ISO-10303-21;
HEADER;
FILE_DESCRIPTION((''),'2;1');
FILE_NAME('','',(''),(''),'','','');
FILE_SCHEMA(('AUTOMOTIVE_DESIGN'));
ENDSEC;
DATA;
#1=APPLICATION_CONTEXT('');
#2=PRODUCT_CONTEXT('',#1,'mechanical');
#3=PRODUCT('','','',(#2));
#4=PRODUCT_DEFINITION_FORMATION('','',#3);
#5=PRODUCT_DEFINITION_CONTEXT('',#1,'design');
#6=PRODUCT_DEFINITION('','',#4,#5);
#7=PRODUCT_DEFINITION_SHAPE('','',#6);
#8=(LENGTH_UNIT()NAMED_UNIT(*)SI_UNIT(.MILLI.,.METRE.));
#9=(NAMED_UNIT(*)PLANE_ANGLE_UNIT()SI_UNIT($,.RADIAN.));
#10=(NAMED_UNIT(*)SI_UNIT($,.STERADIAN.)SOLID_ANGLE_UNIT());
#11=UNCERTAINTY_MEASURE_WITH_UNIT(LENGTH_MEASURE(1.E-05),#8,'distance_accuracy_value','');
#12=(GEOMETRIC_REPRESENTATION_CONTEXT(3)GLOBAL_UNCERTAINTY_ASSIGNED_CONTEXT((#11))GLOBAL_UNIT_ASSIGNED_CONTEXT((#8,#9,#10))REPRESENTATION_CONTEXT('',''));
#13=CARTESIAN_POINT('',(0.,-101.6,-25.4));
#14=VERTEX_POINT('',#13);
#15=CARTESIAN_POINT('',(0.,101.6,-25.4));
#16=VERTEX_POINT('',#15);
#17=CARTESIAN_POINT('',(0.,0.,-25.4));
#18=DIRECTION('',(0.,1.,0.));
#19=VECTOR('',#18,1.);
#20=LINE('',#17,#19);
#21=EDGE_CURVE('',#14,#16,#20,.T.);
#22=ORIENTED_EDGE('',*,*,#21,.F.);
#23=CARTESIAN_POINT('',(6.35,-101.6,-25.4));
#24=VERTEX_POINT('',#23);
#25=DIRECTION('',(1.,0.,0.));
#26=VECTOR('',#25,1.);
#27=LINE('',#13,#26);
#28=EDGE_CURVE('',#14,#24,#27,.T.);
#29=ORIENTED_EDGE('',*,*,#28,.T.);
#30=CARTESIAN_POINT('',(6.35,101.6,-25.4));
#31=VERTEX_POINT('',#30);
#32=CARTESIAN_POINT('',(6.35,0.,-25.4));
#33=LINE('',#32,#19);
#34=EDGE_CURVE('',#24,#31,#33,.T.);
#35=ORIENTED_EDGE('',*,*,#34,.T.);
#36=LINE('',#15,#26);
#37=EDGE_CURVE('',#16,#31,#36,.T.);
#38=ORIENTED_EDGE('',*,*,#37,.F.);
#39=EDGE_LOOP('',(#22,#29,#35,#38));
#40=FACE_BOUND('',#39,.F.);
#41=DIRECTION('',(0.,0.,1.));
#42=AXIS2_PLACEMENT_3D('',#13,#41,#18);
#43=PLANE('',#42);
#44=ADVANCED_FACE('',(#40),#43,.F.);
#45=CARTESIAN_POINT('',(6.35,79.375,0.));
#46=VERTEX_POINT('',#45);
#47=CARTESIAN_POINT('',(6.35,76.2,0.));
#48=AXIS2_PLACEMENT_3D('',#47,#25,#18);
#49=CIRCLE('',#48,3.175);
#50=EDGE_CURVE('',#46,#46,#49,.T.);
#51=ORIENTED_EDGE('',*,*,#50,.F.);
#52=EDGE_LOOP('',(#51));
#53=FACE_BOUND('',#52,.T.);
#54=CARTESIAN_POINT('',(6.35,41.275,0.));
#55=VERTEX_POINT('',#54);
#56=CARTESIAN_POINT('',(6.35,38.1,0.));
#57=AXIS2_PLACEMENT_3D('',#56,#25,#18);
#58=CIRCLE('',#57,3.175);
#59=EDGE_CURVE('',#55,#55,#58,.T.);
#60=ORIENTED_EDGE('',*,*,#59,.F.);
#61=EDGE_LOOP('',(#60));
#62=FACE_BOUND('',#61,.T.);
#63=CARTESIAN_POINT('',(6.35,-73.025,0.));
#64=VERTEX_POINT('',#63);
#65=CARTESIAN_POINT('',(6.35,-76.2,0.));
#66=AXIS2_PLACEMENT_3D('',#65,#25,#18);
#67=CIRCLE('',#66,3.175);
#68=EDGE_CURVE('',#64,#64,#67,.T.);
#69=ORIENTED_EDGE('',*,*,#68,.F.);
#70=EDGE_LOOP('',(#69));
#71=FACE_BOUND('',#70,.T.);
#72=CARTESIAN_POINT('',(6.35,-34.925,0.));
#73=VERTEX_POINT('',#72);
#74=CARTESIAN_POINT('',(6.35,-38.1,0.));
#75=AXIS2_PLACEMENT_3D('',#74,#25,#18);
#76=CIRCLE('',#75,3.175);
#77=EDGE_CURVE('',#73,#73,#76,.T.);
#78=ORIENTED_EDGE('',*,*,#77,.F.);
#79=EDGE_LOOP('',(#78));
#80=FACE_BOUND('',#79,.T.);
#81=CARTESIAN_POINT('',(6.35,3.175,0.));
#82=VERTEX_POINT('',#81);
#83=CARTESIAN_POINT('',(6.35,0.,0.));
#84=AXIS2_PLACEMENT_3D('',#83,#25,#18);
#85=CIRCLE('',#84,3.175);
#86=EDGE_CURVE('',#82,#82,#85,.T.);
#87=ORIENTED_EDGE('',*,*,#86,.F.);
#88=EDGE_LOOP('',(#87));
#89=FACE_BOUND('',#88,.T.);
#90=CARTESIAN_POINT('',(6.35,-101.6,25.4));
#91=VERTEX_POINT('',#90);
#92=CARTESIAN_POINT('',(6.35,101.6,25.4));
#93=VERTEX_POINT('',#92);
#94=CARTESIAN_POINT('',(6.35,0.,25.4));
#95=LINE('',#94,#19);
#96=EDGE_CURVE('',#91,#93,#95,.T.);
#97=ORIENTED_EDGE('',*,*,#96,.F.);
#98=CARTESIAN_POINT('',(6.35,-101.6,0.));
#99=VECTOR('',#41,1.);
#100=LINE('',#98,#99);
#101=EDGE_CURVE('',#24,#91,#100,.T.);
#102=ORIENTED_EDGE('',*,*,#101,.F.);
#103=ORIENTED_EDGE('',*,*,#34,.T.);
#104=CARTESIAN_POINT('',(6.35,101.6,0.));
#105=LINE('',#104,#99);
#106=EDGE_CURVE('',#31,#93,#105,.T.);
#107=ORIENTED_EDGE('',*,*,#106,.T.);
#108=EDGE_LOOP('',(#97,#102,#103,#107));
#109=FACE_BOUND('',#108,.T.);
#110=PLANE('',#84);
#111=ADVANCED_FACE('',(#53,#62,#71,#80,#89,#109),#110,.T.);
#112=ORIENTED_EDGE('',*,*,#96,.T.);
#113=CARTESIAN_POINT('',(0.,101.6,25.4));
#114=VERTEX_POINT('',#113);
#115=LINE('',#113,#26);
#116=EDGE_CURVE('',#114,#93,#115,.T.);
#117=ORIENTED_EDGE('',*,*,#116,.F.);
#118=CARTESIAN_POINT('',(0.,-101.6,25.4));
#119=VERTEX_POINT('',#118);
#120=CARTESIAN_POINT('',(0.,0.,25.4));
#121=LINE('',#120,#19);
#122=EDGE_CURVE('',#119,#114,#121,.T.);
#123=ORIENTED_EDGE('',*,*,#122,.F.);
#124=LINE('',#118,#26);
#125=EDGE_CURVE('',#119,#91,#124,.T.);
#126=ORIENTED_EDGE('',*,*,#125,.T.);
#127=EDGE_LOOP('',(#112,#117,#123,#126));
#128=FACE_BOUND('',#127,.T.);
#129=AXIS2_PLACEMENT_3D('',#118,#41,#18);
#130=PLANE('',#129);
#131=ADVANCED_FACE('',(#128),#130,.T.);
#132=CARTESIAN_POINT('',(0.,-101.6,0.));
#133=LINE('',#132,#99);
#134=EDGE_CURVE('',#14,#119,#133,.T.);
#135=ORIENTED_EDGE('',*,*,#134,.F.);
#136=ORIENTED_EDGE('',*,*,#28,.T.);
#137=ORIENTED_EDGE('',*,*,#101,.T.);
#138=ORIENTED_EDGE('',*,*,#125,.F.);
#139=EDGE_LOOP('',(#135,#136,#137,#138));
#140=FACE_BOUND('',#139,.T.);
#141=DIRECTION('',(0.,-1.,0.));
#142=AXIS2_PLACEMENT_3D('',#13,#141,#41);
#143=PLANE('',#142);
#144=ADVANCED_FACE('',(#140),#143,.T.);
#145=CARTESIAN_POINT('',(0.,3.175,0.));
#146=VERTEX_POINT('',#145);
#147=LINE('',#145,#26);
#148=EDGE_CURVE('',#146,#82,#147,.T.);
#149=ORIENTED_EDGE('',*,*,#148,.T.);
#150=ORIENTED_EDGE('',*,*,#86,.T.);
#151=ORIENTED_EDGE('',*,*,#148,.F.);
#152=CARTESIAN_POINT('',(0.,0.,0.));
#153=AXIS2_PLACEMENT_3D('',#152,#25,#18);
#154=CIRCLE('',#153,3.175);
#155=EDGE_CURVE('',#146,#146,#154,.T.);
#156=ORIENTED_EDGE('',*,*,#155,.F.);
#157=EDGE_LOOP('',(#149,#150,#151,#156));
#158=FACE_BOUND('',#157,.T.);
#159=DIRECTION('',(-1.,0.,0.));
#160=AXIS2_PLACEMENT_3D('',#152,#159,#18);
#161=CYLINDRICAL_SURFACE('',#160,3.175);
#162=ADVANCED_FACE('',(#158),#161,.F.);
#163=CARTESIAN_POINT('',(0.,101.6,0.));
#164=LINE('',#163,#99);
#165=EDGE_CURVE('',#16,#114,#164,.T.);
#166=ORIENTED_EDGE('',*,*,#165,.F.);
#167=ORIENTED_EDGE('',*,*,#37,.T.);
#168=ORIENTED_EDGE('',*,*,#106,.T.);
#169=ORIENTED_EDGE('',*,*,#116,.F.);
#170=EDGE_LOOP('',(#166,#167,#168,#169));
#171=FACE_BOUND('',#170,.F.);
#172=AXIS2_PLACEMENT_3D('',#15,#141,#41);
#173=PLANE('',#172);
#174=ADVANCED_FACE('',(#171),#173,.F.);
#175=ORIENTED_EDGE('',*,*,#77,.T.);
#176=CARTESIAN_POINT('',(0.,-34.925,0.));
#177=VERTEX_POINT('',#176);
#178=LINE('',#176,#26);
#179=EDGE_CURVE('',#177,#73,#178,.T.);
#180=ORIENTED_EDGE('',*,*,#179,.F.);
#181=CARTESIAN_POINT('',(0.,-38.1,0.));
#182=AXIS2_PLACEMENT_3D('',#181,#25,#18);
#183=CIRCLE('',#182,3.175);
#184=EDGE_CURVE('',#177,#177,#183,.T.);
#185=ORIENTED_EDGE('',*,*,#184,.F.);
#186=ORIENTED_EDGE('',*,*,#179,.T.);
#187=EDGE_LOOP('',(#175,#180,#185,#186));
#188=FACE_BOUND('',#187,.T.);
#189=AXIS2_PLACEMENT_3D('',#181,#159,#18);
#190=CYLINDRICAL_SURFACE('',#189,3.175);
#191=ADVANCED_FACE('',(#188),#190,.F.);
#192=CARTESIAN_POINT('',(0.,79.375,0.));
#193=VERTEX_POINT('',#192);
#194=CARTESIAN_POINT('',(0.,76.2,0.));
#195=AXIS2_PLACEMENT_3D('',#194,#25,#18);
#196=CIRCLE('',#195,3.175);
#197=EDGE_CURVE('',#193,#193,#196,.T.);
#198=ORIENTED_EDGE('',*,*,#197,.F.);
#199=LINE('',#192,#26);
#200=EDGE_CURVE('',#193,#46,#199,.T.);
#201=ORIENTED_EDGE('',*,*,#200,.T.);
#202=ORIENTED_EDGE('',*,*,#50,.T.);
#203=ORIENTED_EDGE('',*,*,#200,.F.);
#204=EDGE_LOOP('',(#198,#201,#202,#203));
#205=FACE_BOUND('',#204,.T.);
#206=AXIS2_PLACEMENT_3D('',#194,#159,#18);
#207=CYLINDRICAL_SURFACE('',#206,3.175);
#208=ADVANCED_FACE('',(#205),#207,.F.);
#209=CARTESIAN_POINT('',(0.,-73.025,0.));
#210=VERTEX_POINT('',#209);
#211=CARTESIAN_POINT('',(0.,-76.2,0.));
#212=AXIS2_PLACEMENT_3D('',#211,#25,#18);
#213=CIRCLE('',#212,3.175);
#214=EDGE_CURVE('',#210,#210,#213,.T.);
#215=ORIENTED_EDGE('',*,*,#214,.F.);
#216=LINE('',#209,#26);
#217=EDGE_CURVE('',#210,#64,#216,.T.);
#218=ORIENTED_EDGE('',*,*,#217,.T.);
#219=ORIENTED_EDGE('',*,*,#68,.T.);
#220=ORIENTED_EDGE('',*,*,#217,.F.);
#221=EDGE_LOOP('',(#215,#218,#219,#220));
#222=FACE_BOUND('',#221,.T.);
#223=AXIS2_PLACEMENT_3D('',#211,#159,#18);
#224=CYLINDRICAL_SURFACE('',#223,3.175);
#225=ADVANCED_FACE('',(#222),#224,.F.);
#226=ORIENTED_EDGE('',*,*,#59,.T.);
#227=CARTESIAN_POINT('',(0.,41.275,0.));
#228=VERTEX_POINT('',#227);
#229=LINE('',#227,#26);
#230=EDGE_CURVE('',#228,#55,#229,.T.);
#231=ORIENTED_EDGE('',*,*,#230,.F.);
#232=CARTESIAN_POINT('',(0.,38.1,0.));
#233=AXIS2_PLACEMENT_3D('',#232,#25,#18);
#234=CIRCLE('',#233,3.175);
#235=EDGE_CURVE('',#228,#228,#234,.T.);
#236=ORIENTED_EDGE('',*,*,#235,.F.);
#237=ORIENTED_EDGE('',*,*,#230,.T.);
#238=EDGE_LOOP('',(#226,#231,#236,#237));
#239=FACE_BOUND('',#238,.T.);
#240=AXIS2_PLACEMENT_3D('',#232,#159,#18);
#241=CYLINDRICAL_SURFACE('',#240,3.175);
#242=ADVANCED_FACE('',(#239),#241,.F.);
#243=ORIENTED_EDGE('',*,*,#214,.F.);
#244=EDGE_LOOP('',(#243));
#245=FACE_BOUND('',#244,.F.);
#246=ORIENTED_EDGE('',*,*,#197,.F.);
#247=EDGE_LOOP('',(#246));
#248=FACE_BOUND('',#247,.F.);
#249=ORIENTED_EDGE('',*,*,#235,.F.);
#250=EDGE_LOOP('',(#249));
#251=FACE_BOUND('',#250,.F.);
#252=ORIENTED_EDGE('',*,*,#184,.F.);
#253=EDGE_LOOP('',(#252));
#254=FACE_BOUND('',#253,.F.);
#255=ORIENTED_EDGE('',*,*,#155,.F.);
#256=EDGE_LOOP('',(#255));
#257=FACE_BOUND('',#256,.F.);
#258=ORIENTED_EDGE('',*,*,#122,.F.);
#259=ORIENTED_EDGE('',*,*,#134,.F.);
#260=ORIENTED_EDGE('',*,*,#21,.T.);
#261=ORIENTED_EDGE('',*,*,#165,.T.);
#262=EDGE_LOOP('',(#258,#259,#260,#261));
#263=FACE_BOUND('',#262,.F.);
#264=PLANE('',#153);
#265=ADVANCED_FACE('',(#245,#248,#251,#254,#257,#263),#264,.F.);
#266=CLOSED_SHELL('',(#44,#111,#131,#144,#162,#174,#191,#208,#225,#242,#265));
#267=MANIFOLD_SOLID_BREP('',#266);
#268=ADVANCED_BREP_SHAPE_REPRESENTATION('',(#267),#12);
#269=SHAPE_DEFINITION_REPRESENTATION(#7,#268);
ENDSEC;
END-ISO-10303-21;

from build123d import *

# Parameters (mm, degrees)
F0_W     = 203.2
F0_H     = 50.8
F0_R     = 3.175
F1_DEPTH = 6.35


with BuildPart() as f1:
    # F0 (on Right) → F1 (new body)
    with BuildSketch(Plane.YZ):
        Rectangle(F0_W, F0_H)
        with Locations((-76.2, 0)):
            Circle(F0_R, mode=Mode.SUBTRACT)
        with Locations((-38.1, 0)):
            Circle(F0_R, mode=Mode.SUBTRACT)
        Circle(F0_R, mode=Mode.SUBTRACT)
        with Locations((38.1, 0)):
            Circle(F0_R, mode=Mode.SUBTRACT)
        with Locations((76.2, 0)):
            Circle(F0_R, mode=Mode.SUBTRACT)
    extrude(amount=F1_DEPTH)


solid = f1.part
